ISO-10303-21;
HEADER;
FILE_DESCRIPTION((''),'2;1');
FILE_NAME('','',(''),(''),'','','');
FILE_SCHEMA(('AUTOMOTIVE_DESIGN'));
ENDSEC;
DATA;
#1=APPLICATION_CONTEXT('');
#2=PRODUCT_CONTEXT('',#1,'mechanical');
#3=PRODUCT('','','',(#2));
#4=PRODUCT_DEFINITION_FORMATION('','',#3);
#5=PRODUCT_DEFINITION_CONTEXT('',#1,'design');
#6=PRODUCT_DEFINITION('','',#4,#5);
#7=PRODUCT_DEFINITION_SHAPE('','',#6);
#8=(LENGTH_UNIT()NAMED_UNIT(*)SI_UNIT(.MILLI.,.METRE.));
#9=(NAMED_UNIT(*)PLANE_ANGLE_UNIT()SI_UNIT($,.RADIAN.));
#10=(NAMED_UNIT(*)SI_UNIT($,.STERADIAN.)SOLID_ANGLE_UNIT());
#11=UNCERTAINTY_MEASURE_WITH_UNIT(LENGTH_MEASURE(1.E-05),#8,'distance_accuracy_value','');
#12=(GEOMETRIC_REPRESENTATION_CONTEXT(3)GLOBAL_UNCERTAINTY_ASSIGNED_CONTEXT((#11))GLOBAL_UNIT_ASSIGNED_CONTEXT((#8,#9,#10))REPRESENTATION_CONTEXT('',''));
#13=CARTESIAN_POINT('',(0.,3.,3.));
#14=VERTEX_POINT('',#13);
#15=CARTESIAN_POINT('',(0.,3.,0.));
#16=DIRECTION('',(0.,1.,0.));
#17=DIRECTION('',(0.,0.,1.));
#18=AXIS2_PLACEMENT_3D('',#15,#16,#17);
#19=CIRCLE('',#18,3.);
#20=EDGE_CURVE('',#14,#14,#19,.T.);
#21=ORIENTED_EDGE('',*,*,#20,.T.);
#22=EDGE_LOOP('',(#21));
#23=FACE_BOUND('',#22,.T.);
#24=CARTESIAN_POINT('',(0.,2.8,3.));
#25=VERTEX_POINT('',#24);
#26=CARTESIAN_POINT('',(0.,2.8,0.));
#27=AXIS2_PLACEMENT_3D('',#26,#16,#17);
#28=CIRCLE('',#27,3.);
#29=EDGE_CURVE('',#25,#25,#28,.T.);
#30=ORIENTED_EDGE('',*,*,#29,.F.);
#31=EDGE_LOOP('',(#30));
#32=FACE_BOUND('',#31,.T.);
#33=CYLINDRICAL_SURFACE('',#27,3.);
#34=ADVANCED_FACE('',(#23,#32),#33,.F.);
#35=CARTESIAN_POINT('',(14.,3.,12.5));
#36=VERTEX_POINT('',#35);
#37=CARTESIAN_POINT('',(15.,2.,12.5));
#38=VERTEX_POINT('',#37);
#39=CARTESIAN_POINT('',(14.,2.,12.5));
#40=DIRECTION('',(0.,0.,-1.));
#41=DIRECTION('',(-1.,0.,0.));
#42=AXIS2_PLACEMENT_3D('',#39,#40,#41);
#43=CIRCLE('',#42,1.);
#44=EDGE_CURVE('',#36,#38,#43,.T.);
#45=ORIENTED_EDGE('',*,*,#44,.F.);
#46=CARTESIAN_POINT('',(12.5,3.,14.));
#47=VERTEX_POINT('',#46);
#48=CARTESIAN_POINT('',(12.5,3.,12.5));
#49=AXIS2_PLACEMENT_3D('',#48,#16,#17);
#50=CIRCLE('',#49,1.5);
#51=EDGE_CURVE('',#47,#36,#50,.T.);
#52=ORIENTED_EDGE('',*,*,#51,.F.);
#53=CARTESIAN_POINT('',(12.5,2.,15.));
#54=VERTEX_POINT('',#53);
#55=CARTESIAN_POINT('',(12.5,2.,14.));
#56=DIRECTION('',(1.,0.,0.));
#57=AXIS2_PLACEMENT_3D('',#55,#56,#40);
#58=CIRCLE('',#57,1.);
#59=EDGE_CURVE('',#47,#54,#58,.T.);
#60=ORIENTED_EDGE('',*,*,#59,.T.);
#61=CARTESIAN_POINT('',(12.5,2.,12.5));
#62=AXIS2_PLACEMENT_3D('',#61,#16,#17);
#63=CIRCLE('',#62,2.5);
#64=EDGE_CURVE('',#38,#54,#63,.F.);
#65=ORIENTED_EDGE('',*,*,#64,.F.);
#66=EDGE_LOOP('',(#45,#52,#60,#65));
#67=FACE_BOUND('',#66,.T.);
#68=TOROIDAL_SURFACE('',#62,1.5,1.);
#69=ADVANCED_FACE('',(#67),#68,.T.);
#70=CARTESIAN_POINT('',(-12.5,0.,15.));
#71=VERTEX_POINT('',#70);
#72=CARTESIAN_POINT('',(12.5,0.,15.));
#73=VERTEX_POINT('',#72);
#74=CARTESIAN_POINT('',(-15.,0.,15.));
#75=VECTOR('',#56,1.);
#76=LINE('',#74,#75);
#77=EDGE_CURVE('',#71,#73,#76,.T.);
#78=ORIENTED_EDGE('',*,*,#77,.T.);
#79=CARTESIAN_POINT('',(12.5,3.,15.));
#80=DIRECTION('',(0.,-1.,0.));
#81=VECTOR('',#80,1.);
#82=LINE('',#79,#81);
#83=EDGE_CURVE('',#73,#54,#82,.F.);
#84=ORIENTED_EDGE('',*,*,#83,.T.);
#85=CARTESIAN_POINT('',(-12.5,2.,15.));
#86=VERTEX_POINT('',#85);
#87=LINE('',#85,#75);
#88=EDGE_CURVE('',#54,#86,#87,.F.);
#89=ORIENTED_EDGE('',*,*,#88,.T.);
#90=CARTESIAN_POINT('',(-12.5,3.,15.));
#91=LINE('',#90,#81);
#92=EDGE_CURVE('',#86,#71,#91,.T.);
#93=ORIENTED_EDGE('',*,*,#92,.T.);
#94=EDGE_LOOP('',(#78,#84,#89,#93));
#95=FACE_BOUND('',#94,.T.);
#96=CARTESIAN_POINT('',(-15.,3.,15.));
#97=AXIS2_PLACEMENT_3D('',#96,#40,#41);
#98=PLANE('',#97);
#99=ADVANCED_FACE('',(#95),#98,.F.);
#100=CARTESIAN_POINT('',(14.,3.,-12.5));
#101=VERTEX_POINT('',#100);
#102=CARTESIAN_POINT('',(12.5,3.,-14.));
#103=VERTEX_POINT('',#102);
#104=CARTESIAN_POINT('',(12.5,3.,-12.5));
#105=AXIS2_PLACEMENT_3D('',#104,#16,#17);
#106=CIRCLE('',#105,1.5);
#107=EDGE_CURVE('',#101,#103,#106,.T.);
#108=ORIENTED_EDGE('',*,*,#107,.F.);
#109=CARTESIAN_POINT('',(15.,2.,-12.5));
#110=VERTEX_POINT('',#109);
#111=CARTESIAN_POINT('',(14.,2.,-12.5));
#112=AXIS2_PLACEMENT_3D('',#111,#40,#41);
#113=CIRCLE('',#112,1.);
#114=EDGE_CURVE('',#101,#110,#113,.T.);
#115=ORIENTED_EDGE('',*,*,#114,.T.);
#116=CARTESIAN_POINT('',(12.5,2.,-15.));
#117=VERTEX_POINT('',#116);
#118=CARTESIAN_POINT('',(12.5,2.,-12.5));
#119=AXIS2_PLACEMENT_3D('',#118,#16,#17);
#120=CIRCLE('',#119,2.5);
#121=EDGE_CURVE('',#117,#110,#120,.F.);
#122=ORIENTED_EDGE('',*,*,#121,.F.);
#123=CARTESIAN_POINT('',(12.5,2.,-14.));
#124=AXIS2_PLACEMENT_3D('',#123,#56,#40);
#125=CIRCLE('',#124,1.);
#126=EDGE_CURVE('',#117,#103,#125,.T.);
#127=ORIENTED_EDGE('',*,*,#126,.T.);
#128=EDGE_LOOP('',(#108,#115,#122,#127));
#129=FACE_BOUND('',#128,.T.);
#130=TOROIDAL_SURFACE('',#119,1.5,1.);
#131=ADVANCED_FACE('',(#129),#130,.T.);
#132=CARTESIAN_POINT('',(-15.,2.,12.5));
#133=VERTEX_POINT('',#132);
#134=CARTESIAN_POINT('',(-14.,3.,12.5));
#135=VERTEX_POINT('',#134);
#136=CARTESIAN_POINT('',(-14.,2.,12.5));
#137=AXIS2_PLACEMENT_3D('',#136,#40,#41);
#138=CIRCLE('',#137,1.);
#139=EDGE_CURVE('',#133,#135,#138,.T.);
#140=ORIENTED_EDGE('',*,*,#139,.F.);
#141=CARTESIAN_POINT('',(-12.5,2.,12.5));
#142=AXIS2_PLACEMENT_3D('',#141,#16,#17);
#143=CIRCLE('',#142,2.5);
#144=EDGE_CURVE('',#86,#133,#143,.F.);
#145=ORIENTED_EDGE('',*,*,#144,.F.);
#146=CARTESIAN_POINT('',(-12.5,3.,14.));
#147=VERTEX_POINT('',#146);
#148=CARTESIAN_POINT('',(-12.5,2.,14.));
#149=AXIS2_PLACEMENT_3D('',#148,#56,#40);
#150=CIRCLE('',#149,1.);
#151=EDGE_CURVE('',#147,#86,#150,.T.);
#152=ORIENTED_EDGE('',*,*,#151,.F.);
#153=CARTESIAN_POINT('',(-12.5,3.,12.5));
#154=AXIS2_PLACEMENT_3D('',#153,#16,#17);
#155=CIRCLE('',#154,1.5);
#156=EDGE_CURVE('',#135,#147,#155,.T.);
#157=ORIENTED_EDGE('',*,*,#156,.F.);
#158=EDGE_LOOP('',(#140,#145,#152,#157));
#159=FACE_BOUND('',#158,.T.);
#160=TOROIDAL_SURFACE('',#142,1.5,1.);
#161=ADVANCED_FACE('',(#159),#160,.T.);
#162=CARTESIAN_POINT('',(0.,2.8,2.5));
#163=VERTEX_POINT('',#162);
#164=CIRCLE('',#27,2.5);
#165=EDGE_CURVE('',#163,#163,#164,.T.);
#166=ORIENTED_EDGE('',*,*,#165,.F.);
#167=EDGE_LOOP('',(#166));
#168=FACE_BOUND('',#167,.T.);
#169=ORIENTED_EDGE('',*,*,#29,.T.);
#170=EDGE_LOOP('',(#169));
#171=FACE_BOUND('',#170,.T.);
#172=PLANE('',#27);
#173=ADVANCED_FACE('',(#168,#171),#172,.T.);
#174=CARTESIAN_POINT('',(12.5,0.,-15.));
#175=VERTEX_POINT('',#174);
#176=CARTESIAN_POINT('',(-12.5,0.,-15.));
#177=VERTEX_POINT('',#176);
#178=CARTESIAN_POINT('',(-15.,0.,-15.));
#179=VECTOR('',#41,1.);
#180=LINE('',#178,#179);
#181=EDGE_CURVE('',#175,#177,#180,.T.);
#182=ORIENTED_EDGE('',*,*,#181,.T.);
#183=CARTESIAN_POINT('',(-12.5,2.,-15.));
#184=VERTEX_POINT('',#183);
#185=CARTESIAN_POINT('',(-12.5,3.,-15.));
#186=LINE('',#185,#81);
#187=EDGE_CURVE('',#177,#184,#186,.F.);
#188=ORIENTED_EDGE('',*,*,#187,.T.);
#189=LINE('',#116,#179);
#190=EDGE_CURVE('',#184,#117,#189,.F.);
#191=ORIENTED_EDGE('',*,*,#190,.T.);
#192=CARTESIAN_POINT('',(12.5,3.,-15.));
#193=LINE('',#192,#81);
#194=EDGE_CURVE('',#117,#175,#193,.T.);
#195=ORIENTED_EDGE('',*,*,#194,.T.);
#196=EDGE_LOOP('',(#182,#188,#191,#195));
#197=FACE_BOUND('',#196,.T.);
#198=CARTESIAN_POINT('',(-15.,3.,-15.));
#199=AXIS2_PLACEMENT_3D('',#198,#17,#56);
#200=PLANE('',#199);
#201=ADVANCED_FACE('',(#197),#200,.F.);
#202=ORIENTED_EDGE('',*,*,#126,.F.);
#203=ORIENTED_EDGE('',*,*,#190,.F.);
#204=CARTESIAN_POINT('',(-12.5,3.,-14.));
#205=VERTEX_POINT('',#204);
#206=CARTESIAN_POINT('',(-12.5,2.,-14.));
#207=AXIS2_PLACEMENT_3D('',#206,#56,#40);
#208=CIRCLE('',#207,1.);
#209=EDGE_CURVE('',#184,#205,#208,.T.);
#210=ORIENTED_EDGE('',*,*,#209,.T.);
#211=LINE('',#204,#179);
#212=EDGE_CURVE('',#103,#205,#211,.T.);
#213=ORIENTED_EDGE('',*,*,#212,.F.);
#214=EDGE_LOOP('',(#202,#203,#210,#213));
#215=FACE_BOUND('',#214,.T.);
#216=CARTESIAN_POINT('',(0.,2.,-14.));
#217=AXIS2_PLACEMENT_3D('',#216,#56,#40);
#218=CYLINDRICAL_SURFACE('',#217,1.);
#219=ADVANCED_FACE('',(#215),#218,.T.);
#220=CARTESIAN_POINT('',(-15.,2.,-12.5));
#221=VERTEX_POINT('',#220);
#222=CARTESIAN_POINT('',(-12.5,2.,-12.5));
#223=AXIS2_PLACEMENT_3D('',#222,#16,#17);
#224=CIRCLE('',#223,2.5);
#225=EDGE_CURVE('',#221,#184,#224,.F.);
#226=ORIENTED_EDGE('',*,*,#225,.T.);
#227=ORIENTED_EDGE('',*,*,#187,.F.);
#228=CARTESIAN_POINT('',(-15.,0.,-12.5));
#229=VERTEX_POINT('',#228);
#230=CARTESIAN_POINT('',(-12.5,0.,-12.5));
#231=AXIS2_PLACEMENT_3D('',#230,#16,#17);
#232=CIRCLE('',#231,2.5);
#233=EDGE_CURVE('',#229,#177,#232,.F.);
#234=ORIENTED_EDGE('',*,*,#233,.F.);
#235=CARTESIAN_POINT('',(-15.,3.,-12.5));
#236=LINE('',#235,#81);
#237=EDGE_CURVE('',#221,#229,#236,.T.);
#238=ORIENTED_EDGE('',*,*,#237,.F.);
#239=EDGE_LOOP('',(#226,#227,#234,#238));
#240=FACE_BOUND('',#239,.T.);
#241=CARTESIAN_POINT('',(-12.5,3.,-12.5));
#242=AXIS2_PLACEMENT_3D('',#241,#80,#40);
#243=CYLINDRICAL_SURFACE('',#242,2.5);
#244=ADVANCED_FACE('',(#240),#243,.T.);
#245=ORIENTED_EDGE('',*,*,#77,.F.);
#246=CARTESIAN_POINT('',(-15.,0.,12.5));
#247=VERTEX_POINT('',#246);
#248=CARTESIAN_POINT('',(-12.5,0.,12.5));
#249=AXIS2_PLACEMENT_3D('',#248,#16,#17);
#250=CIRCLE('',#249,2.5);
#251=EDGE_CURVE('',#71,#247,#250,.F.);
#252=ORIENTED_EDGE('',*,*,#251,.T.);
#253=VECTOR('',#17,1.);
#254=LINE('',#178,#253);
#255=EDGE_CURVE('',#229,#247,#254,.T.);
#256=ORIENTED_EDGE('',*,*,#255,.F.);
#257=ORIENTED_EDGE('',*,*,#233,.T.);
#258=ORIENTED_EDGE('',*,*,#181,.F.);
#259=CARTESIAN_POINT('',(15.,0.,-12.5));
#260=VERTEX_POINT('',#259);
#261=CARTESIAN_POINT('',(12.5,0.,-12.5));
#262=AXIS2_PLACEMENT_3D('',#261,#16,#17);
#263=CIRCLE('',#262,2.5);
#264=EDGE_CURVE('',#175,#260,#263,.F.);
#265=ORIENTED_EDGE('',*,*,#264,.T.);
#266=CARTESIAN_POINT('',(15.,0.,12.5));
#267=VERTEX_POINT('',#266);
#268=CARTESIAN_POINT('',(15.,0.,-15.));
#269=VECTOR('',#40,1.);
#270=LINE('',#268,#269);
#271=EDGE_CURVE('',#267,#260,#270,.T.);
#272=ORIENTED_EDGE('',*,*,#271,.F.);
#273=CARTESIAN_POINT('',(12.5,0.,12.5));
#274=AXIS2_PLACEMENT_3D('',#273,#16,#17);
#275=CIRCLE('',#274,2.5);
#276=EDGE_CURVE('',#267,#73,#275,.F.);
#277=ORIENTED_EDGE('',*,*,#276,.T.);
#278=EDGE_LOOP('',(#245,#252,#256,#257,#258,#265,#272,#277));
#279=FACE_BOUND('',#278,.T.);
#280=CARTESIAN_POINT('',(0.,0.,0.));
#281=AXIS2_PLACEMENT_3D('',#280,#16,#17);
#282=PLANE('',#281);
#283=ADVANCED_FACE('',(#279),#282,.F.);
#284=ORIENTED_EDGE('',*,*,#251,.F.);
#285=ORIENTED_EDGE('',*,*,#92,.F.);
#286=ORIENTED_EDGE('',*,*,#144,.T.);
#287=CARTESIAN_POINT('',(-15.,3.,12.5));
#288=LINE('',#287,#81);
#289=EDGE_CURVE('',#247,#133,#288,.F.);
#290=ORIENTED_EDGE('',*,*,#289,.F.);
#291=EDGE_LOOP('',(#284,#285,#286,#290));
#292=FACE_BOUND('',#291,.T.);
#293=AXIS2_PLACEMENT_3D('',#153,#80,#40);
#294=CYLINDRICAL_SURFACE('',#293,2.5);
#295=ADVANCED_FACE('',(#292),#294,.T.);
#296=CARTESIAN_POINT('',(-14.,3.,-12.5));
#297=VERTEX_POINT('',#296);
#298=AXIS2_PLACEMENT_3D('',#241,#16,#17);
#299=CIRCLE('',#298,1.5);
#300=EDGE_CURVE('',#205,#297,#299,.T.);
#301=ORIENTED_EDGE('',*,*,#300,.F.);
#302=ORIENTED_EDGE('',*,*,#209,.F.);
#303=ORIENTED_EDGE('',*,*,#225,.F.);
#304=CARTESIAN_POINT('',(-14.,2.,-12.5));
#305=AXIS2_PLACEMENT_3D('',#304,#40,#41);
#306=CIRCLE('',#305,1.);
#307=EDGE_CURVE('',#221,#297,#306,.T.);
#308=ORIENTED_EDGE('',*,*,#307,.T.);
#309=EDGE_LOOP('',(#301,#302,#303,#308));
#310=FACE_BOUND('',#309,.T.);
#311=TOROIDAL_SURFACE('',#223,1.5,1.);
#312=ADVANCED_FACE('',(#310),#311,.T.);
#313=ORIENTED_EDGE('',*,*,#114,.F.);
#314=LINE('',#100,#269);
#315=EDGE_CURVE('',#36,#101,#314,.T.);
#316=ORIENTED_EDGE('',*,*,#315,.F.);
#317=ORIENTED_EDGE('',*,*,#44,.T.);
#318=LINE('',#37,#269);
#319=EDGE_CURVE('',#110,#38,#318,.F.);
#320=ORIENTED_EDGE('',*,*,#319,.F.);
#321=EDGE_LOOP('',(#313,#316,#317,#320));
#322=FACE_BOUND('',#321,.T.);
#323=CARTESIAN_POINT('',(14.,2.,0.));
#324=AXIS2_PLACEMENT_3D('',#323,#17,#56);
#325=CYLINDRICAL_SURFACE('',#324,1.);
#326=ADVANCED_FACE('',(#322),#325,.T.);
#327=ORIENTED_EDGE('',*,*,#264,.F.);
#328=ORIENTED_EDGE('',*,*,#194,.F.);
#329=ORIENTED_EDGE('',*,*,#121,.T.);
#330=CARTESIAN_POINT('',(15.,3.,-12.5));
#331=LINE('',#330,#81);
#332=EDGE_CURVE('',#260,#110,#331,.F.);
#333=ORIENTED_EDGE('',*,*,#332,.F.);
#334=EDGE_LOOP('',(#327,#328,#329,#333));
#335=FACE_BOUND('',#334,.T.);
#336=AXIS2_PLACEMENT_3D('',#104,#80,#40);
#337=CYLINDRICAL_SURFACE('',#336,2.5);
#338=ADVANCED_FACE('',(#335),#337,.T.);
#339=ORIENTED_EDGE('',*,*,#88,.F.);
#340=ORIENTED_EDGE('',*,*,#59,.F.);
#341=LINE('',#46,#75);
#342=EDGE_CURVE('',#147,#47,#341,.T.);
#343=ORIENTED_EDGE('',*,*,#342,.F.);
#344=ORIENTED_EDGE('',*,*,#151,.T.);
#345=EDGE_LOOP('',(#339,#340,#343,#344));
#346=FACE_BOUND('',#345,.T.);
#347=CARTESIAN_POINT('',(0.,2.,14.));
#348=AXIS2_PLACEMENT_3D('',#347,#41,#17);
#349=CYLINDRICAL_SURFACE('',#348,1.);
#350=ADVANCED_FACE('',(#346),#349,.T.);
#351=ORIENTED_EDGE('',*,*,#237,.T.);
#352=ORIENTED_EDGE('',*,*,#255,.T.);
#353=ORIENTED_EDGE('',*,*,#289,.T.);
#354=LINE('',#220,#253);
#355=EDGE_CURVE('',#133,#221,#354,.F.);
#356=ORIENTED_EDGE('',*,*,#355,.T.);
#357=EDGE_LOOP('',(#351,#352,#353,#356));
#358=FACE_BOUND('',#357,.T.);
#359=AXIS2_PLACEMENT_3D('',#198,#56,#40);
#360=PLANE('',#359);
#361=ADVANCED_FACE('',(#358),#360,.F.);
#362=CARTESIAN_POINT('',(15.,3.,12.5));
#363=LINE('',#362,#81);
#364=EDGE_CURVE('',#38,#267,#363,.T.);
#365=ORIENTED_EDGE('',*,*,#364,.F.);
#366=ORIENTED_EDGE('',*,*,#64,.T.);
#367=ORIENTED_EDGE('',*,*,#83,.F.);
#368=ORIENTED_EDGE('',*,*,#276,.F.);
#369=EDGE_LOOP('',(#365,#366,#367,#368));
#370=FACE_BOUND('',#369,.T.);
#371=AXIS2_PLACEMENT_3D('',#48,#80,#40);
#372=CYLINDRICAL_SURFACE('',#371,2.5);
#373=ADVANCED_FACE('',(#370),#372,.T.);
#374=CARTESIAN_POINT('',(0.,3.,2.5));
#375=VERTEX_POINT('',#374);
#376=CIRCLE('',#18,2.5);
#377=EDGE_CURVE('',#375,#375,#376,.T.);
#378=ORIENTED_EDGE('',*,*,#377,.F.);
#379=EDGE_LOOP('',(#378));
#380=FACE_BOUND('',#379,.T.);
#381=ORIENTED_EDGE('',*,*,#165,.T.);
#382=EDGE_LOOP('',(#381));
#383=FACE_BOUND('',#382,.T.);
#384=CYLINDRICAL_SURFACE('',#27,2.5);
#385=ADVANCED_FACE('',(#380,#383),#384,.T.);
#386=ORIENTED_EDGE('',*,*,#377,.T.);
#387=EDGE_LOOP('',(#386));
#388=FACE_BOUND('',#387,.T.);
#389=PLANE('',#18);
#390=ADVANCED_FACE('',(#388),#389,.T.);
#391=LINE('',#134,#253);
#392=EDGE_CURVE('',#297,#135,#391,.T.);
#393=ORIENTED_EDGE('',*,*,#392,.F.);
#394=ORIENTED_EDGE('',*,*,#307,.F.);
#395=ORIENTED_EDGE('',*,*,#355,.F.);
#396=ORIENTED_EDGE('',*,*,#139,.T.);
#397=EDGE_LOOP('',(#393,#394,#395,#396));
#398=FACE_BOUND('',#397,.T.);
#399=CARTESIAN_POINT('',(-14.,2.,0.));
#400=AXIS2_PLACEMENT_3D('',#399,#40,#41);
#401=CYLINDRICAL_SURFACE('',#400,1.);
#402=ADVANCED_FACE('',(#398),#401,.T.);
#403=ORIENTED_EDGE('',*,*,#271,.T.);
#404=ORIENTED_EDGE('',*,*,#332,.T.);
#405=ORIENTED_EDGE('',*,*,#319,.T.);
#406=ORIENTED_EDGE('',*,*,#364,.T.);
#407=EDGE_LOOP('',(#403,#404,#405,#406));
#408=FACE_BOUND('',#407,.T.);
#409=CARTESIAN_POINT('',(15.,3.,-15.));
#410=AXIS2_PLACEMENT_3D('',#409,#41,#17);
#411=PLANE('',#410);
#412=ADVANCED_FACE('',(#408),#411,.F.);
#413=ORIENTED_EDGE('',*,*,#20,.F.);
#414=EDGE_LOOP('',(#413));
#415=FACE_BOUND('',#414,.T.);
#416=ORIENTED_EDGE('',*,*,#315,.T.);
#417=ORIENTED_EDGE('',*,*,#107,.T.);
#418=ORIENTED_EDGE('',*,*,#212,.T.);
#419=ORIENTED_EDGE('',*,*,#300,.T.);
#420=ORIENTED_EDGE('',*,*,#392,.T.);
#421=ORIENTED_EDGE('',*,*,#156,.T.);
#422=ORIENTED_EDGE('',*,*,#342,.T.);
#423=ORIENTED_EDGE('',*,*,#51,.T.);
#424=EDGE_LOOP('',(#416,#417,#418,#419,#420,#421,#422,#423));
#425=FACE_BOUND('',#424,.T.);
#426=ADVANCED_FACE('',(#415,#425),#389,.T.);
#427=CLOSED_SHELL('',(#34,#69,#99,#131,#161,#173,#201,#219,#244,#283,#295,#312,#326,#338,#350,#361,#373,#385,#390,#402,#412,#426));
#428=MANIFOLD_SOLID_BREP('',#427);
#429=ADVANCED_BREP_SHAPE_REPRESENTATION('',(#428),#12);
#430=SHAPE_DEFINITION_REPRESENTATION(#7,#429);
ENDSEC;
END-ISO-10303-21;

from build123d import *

# Parameters (mm, degrees)
SKETCH1_W           = 30
SKETCH1_H           = 30
BOSS_EXTRUDE1_DEPTH = 3
FILLET1_R           = 2.5
FILLET2_R           = 1
SKETCH2_R           = 3
SKETCH2_R_2         = 2.5
CUT_EXTRUDE1_DEPTH  = 0.2


with BuildPart() as part:
    # Sketch1 → Boss-Extrude1 (new body)
    with BuildSketch(Plane(origin=(0, 0, 0), x_dir=(1, 0, 0), z_dir=(0, 1, 0))):
        Rectangle(SKETCH1_W, SKETCH1_H)
    extrude(amount=BOSS_EXTRUDE1_DEPTH)

    # Fillet1
    fillet1_edges = [part.edges().sort_by_distance(p)[0] for p in [
        (15, 1.5, 15),
        (-15, 1.5, 15),
        (-15, 1.5, -15),
        (15, 1.5, -15),
    ]]
    fillet(fillet1_edges, radius=FILLET1_R)

    # Fillet2
    fillet2_edges = [part.edges().sort_by_distance(p)[0] for p in [
        (-15, 3, 0),
        (0, 3, -15),
        (15, 3, 0),
        (0, 3, 15),
        (14.267766953, 3, 14.267766953),
        (-14.267766953, 3, 14.267766953),
        (14.267766953, 3, -14.267766953),
        (-14.267766953, 3, -14.267766953),
    ]]
    fillet(fillet2_edges, radius=FILLET2_R)

    # Sketch2 → Cut-Extrude1 (cut)
    with BuildSketch(Plane(origin=(0, 3, 0), x_dir=(1, 0, 0), z_dir=(0, 1, 0))):
        Circle(SKETCH2_R)
        Circle(SKETCH2_R_2, mode=Mode.SUBTRACT)
    extrude(amount=-CUT_EXTRUDE1_DEPTH, mode=Mode.SUBTRACT)


solid = part.part
